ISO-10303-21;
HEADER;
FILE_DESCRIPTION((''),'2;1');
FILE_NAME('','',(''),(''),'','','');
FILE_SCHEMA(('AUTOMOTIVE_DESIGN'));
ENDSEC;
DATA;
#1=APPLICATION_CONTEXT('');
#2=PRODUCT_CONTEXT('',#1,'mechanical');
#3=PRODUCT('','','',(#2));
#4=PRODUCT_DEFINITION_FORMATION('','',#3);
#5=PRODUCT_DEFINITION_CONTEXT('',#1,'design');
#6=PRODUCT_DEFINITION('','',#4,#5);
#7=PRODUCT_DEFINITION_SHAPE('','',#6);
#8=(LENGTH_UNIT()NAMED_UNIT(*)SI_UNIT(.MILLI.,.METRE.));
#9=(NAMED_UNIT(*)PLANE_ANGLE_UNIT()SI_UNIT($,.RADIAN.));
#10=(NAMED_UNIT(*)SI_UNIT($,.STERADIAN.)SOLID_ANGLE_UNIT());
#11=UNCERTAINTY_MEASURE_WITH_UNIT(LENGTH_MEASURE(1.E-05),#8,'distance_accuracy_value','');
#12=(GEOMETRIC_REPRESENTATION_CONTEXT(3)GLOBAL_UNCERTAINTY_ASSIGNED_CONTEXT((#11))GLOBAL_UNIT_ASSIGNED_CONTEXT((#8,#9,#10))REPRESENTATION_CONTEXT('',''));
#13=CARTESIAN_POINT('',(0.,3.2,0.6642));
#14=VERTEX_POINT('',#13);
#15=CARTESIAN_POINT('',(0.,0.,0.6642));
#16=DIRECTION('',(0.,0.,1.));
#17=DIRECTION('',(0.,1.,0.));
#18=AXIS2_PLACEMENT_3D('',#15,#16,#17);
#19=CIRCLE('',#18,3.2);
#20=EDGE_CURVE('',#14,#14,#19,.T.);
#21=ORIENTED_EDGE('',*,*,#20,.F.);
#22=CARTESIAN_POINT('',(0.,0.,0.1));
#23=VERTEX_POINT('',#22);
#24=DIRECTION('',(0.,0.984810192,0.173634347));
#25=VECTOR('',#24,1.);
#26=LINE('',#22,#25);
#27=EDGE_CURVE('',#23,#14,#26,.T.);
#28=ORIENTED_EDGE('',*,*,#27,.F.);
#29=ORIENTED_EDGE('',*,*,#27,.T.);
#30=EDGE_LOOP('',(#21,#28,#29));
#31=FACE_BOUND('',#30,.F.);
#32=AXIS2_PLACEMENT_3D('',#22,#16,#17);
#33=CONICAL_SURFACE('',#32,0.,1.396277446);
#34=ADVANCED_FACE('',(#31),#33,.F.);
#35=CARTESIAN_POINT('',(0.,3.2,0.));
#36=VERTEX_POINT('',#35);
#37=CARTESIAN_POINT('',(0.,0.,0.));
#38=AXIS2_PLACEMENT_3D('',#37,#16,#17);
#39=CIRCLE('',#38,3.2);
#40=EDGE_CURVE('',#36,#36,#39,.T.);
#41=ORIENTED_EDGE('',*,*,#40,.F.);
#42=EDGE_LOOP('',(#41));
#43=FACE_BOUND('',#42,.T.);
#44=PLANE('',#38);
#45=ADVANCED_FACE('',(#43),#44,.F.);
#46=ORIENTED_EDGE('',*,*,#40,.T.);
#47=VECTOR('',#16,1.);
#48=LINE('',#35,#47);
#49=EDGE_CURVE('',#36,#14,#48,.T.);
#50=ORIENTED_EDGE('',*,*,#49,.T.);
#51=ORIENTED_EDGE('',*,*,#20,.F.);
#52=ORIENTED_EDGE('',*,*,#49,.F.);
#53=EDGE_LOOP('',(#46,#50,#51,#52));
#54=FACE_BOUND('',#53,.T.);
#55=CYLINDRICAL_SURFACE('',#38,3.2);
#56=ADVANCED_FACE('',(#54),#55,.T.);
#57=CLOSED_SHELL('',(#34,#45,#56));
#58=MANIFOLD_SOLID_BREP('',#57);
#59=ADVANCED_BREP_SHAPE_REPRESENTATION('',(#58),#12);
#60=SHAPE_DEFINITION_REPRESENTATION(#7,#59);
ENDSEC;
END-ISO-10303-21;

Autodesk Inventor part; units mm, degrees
ref_plane "YZ Plane" through (0, 0, 0) normal (1, 0, 0) x (0, 1, 0)
ref_plane "XZ Plane" through (0, 0, 0) normal (0, 1, 0) x (-1, 0, 0)
ref_plane "XY Plane" through (0, 0, 0) normal (0, 0, 1) x (1, 0, 0)
sketch "Sketch1" plane through (0, 0, 0) normal (0, 0, 1) x (1, 0, 0)
  circle A0 centre (0, 0) radius 3.2
  dimension "d0" = 6.4
sketch "Sketch2" plane through (0, 0, 0) normal (1, 0, 0) x (0, 1, 0)
  line L0 (0, 0) -> (3.2, 0)
  line L1 (3.2, 0) -> (3.2, 0.6642)
  line L2 (0, 0) -> (0, 0.1)
  line L3 (0, 0.1) -> (3.2, 0.6642)
  dimension "d1" = 3.2
  dimension "d3" = 0.1
  dimension "d4" = 10
revolve "Revolution1" add sketch "Sketch2" angle 360 about axis through (0, 0, 0) along (0, 0, 1)
properties part number "cepek srauf zadi"
